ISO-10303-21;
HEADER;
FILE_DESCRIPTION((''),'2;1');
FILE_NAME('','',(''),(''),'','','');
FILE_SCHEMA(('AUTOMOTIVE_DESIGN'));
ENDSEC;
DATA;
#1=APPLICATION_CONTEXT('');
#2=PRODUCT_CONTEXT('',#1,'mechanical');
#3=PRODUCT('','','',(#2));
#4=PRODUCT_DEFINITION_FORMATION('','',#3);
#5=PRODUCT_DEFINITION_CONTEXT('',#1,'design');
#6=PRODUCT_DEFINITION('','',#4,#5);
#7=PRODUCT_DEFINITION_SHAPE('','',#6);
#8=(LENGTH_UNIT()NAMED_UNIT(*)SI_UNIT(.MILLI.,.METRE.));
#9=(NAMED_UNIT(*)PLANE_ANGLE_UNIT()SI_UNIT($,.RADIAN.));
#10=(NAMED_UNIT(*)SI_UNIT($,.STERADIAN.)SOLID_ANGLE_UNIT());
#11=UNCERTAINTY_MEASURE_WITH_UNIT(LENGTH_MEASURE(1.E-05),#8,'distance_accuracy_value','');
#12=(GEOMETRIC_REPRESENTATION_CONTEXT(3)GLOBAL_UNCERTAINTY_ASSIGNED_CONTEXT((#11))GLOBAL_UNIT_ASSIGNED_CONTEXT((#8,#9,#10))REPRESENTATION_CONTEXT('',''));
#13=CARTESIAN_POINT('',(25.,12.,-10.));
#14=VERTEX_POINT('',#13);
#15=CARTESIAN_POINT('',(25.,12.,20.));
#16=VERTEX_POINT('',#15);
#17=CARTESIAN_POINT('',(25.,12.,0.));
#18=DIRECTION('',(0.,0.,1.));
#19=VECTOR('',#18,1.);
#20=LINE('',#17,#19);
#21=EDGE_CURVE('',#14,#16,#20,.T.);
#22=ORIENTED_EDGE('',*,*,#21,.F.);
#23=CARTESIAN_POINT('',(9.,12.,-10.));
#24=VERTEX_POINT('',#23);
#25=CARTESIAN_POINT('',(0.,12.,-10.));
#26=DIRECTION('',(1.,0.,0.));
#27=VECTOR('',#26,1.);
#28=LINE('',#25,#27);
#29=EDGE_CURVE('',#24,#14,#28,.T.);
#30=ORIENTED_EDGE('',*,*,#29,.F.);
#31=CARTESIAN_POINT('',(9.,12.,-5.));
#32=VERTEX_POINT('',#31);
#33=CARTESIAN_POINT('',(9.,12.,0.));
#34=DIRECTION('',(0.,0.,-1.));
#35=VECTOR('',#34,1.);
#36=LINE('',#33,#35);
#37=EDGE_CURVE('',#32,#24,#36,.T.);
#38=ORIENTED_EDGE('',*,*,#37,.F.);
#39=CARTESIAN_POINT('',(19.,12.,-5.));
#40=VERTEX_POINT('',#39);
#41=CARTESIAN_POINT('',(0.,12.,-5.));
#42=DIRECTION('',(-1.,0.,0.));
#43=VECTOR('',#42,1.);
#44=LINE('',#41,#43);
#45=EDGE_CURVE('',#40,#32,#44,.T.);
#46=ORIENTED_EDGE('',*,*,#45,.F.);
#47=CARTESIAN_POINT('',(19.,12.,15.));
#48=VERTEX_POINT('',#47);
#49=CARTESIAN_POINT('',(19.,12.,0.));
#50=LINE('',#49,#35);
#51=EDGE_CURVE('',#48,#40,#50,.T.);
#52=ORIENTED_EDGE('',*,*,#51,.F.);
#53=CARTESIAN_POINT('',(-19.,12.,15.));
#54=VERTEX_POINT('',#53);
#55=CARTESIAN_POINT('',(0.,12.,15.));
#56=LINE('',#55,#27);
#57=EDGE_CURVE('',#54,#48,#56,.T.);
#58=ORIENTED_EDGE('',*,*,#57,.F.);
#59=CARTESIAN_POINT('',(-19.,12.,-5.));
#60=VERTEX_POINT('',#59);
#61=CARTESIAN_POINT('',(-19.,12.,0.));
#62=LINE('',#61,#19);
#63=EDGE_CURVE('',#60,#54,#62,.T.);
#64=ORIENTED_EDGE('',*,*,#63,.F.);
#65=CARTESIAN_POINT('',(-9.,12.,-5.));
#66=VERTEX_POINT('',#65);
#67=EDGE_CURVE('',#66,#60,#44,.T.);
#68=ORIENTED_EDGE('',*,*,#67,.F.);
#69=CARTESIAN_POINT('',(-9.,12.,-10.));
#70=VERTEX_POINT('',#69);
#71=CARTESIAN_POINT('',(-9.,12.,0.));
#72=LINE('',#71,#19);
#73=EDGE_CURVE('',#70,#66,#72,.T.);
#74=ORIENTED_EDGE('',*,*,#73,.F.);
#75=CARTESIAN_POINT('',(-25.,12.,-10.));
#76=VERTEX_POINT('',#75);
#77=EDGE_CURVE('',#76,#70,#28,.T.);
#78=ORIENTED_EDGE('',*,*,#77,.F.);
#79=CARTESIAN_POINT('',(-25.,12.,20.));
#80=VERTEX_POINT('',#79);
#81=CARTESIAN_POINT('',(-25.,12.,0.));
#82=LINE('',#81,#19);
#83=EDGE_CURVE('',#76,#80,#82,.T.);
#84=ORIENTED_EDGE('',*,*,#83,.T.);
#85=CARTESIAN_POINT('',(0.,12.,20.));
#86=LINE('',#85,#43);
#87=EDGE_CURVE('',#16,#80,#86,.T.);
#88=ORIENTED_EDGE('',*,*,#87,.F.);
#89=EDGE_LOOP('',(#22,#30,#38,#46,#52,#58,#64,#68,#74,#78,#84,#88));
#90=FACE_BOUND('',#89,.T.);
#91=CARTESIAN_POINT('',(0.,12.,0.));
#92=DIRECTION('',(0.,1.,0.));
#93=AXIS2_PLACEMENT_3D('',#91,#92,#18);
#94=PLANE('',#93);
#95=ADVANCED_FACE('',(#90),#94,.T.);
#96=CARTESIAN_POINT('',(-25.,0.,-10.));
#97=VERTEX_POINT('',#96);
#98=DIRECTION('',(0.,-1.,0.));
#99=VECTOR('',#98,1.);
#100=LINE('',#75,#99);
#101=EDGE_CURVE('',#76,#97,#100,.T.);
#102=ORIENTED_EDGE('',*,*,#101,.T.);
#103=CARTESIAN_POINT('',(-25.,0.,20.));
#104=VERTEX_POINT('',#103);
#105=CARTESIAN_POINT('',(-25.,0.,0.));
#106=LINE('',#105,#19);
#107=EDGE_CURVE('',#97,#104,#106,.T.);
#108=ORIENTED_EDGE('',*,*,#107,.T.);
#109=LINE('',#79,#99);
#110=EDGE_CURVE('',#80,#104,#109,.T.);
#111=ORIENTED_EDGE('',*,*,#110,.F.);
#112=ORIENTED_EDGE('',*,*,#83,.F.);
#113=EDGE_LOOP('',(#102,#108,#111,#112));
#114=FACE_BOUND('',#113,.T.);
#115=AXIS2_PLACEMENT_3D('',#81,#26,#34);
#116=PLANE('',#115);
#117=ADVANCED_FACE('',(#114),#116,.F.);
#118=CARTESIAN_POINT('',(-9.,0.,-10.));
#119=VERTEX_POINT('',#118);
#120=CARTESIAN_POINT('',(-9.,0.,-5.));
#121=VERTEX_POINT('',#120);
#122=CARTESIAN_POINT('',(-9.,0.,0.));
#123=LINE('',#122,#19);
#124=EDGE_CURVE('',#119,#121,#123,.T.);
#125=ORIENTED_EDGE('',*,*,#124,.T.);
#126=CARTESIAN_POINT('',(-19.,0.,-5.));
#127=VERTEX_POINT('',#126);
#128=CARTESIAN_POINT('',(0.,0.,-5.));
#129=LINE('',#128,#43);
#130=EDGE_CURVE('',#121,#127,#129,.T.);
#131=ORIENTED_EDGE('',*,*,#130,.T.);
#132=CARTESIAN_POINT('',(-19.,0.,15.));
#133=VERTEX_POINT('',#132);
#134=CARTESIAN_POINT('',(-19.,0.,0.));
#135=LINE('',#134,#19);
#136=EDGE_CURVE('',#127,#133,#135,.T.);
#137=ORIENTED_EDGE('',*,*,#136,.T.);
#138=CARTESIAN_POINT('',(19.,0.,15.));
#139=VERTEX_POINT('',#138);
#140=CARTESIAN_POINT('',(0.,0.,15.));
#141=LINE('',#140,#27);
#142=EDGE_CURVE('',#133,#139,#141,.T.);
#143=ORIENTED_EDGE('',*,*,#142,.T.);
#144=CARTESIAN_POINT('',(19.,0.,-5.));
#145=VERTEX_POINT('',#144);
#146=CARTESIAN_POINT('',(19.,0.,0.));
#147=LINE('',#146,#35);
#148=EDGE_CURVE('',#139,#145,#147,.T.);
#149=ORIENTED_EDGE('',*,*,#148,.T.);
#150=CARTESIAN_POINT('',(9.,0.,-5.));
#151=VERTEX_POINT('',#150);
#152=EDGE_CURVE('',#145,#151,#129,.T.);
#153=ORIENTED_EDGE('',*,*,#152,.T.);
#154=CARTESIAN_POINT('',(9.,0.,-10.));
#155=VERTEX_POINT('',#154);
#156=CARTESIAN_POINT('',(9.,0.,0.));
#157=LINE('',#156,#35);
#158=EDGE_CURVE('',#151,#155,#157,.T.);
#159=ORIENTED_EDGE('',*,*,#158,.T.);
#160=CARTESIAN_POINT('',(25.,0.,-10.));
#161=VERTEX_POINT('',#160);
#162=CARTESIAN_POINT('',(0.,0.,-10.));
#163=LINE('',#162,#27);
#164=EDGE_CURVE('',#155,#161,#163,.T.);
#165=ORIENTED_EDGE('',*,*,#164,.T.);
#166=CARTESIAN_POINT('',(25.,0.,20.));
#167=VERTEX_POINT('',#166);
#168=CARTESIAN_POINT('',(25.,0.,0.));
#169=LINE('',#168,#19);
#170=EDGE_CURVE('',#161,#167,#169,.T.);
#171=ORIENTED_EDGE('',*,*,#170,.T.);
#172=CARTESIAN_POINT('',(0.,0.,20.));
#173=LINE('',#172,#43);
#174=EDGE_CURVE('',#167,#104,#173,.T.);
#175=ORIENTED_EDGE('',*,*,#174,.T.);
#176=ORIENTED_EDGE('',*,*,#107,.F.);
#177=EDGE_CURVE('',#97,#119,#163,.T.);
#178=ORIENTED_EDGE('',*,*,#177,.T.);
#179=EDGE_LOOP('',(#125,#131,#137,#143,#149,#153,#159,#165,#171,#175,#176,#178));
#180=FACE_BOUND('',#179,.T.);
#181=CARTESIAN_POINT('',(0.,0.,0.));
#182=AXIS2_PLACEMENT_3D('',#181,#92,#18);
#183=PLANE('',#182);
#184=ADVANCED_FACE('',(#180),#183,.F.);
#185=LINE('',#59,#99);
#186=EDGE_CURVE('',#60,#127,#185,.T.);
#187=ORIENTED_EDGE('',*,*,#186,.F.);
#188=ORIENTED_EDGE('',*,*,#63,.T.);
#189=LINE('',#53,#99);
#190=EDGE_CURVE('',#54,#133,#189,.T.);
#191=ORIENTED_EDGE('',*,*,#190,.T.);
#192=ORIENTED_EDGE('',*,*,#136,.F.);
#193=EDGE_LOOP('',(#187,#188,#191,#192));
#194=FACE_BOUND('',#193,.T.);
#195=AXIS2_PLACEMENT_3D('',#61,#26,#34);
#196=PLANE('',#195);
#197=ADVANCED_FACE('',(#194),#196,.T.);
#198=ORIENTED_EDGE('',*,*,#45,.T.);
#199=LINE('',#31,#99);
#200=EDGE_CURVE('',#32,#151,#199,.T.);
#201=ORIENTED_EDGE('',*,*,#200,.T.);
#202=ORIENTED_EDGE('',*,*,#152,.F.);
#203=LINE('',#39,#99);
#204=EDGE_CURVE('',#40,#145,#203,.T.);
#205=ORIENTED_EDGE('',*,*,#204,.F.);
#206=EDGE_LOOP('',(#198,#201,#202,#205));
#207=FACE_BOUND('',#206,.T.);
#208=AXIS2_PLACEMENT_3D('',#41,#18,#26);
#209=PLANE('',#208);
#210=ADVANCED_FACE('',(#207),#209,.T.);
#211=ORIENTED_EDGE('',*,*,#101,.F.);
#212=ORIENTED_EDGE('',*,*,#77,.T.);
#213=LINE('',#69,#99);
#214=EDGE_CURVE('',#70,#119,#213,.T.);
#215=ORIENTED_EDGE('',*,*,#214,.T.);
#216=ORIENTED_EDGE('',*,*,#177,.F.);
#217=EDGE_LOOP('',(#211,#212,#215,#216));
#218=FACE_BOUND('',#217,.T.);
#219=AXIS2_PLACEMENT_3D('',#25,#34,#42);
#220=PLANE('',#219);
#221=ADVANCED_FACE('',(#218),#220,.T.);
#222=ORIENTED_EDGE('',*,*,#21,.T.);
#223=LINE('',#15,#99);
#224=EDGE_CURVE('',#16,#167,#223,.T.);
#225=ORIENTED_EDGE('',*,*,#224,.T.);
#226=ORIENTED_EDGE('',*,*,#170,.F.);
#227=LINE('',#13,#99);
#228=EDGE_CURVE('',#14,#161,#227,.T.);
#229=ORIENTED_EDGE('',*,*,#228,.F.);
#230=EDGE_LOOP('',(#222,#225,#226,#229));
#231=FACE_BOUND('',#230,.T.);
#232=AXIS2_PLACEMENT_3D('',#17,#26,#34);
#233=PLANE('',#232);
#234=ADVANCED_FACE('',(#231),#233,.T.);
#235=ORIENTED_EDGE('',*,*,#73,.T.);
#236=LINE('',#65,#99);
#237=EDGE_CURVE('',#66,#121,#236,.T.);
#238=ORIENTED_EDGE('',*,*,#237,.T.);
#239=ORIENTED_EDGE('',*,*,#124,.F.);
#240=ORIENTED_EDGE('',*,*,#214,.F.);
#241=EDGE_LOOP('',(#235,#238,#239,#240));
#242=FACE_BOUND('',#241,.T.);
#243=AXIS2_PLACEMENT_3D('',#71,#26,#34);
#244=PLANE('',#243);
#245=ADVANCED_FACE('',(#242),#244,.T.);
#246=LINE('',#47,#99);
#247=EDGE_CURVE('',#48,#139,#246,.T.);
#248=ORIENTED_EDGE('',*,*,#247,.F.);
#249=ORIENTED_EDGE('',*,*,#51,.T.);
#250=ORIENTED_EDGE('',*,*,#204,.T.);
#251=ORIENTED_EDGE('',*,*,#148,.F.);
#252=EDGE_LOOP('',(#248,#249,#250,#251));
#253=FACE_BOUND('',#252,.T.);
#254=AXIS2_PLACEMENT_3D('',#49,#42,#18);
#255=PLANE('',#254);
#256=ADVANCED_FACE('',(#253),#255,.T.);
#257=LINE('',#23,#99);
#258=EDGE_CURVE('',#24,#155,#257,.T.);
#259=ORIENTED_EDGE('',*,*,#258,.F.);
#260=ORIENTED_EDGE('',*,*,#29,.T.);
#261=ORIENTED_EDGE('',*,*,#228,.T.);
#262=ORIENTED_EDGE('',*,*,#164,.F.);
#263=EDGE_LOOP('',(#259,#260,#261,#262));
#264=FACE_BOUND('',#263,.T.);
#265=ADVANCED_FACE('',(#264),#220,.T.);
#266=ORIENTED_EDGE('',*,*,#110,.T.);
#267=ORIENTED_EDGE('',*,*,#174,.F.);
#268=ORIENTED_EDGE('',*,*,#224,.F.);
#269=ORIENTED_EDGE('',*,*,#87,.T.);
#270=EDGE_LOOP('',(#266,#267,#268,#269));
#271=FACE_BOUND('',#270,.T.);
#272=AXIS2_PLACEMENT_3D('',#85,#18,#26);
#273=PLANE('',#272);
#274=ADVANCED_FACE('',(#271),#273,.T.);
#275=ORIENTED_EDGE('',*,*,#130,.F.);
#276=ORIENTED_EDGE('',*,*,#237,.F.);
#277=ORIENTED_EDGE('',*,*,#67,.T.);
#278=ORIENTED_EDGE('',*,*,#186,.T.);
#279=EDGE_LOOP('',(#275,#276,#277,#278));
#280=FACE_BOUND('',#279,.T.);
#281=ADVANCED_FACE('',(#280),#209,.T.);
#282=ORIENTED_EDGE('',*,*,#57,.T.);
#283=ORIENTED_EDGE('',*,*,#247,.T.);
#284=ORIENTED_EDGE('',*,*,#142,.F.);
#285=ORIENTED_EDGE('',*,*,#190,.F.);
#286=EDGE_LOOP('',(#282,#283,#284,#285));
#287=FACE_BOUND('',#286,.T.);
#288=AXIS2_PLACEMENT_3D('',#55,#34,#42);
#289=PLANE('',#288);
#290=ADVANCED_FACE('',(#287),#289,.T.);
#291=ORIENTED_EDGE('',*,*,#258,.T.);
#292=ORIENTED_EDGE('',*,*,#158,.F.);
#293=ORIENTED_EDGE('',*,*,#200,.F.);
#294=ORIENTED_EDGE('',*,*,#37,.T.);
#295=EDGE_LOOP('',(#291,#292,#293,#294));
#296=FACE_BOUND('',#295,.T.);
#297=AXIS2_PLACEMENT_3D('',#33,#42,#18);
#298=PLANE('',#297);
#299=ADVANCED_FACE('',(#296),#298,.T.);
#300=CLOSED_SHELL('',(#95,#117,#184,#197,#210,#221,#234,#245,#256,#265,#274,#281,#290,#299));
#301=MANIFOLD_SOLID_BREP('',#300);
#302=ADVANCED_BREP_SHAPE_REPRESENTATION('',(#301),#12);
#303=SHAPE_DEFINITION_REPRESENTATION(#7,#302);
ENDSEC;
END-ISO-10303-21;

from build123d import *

# Parameters (mm, degrees)
BOSS_EXTRUDE1_DEPTH = 12


with BuildPart() as part:
    # Sketch1 → Boss-Extrude1 (new body)
    with BuildSketch(Plane(origin=(0, 0, 0), x_dir=(1, 0, 0), z_dir=(0, 1, 0))):
        Polygon((-25, 10), (-9, 10), (-9, 5), (-19, 5), (-19, -15), (19, -15), (19, 5), (9, 5), (9, 10), (25, 10), (25, -20), (-25, -20), align=None)
    extrude(amount=BOSS_EXTRUDE1_DEPTH)


solid = part.part
